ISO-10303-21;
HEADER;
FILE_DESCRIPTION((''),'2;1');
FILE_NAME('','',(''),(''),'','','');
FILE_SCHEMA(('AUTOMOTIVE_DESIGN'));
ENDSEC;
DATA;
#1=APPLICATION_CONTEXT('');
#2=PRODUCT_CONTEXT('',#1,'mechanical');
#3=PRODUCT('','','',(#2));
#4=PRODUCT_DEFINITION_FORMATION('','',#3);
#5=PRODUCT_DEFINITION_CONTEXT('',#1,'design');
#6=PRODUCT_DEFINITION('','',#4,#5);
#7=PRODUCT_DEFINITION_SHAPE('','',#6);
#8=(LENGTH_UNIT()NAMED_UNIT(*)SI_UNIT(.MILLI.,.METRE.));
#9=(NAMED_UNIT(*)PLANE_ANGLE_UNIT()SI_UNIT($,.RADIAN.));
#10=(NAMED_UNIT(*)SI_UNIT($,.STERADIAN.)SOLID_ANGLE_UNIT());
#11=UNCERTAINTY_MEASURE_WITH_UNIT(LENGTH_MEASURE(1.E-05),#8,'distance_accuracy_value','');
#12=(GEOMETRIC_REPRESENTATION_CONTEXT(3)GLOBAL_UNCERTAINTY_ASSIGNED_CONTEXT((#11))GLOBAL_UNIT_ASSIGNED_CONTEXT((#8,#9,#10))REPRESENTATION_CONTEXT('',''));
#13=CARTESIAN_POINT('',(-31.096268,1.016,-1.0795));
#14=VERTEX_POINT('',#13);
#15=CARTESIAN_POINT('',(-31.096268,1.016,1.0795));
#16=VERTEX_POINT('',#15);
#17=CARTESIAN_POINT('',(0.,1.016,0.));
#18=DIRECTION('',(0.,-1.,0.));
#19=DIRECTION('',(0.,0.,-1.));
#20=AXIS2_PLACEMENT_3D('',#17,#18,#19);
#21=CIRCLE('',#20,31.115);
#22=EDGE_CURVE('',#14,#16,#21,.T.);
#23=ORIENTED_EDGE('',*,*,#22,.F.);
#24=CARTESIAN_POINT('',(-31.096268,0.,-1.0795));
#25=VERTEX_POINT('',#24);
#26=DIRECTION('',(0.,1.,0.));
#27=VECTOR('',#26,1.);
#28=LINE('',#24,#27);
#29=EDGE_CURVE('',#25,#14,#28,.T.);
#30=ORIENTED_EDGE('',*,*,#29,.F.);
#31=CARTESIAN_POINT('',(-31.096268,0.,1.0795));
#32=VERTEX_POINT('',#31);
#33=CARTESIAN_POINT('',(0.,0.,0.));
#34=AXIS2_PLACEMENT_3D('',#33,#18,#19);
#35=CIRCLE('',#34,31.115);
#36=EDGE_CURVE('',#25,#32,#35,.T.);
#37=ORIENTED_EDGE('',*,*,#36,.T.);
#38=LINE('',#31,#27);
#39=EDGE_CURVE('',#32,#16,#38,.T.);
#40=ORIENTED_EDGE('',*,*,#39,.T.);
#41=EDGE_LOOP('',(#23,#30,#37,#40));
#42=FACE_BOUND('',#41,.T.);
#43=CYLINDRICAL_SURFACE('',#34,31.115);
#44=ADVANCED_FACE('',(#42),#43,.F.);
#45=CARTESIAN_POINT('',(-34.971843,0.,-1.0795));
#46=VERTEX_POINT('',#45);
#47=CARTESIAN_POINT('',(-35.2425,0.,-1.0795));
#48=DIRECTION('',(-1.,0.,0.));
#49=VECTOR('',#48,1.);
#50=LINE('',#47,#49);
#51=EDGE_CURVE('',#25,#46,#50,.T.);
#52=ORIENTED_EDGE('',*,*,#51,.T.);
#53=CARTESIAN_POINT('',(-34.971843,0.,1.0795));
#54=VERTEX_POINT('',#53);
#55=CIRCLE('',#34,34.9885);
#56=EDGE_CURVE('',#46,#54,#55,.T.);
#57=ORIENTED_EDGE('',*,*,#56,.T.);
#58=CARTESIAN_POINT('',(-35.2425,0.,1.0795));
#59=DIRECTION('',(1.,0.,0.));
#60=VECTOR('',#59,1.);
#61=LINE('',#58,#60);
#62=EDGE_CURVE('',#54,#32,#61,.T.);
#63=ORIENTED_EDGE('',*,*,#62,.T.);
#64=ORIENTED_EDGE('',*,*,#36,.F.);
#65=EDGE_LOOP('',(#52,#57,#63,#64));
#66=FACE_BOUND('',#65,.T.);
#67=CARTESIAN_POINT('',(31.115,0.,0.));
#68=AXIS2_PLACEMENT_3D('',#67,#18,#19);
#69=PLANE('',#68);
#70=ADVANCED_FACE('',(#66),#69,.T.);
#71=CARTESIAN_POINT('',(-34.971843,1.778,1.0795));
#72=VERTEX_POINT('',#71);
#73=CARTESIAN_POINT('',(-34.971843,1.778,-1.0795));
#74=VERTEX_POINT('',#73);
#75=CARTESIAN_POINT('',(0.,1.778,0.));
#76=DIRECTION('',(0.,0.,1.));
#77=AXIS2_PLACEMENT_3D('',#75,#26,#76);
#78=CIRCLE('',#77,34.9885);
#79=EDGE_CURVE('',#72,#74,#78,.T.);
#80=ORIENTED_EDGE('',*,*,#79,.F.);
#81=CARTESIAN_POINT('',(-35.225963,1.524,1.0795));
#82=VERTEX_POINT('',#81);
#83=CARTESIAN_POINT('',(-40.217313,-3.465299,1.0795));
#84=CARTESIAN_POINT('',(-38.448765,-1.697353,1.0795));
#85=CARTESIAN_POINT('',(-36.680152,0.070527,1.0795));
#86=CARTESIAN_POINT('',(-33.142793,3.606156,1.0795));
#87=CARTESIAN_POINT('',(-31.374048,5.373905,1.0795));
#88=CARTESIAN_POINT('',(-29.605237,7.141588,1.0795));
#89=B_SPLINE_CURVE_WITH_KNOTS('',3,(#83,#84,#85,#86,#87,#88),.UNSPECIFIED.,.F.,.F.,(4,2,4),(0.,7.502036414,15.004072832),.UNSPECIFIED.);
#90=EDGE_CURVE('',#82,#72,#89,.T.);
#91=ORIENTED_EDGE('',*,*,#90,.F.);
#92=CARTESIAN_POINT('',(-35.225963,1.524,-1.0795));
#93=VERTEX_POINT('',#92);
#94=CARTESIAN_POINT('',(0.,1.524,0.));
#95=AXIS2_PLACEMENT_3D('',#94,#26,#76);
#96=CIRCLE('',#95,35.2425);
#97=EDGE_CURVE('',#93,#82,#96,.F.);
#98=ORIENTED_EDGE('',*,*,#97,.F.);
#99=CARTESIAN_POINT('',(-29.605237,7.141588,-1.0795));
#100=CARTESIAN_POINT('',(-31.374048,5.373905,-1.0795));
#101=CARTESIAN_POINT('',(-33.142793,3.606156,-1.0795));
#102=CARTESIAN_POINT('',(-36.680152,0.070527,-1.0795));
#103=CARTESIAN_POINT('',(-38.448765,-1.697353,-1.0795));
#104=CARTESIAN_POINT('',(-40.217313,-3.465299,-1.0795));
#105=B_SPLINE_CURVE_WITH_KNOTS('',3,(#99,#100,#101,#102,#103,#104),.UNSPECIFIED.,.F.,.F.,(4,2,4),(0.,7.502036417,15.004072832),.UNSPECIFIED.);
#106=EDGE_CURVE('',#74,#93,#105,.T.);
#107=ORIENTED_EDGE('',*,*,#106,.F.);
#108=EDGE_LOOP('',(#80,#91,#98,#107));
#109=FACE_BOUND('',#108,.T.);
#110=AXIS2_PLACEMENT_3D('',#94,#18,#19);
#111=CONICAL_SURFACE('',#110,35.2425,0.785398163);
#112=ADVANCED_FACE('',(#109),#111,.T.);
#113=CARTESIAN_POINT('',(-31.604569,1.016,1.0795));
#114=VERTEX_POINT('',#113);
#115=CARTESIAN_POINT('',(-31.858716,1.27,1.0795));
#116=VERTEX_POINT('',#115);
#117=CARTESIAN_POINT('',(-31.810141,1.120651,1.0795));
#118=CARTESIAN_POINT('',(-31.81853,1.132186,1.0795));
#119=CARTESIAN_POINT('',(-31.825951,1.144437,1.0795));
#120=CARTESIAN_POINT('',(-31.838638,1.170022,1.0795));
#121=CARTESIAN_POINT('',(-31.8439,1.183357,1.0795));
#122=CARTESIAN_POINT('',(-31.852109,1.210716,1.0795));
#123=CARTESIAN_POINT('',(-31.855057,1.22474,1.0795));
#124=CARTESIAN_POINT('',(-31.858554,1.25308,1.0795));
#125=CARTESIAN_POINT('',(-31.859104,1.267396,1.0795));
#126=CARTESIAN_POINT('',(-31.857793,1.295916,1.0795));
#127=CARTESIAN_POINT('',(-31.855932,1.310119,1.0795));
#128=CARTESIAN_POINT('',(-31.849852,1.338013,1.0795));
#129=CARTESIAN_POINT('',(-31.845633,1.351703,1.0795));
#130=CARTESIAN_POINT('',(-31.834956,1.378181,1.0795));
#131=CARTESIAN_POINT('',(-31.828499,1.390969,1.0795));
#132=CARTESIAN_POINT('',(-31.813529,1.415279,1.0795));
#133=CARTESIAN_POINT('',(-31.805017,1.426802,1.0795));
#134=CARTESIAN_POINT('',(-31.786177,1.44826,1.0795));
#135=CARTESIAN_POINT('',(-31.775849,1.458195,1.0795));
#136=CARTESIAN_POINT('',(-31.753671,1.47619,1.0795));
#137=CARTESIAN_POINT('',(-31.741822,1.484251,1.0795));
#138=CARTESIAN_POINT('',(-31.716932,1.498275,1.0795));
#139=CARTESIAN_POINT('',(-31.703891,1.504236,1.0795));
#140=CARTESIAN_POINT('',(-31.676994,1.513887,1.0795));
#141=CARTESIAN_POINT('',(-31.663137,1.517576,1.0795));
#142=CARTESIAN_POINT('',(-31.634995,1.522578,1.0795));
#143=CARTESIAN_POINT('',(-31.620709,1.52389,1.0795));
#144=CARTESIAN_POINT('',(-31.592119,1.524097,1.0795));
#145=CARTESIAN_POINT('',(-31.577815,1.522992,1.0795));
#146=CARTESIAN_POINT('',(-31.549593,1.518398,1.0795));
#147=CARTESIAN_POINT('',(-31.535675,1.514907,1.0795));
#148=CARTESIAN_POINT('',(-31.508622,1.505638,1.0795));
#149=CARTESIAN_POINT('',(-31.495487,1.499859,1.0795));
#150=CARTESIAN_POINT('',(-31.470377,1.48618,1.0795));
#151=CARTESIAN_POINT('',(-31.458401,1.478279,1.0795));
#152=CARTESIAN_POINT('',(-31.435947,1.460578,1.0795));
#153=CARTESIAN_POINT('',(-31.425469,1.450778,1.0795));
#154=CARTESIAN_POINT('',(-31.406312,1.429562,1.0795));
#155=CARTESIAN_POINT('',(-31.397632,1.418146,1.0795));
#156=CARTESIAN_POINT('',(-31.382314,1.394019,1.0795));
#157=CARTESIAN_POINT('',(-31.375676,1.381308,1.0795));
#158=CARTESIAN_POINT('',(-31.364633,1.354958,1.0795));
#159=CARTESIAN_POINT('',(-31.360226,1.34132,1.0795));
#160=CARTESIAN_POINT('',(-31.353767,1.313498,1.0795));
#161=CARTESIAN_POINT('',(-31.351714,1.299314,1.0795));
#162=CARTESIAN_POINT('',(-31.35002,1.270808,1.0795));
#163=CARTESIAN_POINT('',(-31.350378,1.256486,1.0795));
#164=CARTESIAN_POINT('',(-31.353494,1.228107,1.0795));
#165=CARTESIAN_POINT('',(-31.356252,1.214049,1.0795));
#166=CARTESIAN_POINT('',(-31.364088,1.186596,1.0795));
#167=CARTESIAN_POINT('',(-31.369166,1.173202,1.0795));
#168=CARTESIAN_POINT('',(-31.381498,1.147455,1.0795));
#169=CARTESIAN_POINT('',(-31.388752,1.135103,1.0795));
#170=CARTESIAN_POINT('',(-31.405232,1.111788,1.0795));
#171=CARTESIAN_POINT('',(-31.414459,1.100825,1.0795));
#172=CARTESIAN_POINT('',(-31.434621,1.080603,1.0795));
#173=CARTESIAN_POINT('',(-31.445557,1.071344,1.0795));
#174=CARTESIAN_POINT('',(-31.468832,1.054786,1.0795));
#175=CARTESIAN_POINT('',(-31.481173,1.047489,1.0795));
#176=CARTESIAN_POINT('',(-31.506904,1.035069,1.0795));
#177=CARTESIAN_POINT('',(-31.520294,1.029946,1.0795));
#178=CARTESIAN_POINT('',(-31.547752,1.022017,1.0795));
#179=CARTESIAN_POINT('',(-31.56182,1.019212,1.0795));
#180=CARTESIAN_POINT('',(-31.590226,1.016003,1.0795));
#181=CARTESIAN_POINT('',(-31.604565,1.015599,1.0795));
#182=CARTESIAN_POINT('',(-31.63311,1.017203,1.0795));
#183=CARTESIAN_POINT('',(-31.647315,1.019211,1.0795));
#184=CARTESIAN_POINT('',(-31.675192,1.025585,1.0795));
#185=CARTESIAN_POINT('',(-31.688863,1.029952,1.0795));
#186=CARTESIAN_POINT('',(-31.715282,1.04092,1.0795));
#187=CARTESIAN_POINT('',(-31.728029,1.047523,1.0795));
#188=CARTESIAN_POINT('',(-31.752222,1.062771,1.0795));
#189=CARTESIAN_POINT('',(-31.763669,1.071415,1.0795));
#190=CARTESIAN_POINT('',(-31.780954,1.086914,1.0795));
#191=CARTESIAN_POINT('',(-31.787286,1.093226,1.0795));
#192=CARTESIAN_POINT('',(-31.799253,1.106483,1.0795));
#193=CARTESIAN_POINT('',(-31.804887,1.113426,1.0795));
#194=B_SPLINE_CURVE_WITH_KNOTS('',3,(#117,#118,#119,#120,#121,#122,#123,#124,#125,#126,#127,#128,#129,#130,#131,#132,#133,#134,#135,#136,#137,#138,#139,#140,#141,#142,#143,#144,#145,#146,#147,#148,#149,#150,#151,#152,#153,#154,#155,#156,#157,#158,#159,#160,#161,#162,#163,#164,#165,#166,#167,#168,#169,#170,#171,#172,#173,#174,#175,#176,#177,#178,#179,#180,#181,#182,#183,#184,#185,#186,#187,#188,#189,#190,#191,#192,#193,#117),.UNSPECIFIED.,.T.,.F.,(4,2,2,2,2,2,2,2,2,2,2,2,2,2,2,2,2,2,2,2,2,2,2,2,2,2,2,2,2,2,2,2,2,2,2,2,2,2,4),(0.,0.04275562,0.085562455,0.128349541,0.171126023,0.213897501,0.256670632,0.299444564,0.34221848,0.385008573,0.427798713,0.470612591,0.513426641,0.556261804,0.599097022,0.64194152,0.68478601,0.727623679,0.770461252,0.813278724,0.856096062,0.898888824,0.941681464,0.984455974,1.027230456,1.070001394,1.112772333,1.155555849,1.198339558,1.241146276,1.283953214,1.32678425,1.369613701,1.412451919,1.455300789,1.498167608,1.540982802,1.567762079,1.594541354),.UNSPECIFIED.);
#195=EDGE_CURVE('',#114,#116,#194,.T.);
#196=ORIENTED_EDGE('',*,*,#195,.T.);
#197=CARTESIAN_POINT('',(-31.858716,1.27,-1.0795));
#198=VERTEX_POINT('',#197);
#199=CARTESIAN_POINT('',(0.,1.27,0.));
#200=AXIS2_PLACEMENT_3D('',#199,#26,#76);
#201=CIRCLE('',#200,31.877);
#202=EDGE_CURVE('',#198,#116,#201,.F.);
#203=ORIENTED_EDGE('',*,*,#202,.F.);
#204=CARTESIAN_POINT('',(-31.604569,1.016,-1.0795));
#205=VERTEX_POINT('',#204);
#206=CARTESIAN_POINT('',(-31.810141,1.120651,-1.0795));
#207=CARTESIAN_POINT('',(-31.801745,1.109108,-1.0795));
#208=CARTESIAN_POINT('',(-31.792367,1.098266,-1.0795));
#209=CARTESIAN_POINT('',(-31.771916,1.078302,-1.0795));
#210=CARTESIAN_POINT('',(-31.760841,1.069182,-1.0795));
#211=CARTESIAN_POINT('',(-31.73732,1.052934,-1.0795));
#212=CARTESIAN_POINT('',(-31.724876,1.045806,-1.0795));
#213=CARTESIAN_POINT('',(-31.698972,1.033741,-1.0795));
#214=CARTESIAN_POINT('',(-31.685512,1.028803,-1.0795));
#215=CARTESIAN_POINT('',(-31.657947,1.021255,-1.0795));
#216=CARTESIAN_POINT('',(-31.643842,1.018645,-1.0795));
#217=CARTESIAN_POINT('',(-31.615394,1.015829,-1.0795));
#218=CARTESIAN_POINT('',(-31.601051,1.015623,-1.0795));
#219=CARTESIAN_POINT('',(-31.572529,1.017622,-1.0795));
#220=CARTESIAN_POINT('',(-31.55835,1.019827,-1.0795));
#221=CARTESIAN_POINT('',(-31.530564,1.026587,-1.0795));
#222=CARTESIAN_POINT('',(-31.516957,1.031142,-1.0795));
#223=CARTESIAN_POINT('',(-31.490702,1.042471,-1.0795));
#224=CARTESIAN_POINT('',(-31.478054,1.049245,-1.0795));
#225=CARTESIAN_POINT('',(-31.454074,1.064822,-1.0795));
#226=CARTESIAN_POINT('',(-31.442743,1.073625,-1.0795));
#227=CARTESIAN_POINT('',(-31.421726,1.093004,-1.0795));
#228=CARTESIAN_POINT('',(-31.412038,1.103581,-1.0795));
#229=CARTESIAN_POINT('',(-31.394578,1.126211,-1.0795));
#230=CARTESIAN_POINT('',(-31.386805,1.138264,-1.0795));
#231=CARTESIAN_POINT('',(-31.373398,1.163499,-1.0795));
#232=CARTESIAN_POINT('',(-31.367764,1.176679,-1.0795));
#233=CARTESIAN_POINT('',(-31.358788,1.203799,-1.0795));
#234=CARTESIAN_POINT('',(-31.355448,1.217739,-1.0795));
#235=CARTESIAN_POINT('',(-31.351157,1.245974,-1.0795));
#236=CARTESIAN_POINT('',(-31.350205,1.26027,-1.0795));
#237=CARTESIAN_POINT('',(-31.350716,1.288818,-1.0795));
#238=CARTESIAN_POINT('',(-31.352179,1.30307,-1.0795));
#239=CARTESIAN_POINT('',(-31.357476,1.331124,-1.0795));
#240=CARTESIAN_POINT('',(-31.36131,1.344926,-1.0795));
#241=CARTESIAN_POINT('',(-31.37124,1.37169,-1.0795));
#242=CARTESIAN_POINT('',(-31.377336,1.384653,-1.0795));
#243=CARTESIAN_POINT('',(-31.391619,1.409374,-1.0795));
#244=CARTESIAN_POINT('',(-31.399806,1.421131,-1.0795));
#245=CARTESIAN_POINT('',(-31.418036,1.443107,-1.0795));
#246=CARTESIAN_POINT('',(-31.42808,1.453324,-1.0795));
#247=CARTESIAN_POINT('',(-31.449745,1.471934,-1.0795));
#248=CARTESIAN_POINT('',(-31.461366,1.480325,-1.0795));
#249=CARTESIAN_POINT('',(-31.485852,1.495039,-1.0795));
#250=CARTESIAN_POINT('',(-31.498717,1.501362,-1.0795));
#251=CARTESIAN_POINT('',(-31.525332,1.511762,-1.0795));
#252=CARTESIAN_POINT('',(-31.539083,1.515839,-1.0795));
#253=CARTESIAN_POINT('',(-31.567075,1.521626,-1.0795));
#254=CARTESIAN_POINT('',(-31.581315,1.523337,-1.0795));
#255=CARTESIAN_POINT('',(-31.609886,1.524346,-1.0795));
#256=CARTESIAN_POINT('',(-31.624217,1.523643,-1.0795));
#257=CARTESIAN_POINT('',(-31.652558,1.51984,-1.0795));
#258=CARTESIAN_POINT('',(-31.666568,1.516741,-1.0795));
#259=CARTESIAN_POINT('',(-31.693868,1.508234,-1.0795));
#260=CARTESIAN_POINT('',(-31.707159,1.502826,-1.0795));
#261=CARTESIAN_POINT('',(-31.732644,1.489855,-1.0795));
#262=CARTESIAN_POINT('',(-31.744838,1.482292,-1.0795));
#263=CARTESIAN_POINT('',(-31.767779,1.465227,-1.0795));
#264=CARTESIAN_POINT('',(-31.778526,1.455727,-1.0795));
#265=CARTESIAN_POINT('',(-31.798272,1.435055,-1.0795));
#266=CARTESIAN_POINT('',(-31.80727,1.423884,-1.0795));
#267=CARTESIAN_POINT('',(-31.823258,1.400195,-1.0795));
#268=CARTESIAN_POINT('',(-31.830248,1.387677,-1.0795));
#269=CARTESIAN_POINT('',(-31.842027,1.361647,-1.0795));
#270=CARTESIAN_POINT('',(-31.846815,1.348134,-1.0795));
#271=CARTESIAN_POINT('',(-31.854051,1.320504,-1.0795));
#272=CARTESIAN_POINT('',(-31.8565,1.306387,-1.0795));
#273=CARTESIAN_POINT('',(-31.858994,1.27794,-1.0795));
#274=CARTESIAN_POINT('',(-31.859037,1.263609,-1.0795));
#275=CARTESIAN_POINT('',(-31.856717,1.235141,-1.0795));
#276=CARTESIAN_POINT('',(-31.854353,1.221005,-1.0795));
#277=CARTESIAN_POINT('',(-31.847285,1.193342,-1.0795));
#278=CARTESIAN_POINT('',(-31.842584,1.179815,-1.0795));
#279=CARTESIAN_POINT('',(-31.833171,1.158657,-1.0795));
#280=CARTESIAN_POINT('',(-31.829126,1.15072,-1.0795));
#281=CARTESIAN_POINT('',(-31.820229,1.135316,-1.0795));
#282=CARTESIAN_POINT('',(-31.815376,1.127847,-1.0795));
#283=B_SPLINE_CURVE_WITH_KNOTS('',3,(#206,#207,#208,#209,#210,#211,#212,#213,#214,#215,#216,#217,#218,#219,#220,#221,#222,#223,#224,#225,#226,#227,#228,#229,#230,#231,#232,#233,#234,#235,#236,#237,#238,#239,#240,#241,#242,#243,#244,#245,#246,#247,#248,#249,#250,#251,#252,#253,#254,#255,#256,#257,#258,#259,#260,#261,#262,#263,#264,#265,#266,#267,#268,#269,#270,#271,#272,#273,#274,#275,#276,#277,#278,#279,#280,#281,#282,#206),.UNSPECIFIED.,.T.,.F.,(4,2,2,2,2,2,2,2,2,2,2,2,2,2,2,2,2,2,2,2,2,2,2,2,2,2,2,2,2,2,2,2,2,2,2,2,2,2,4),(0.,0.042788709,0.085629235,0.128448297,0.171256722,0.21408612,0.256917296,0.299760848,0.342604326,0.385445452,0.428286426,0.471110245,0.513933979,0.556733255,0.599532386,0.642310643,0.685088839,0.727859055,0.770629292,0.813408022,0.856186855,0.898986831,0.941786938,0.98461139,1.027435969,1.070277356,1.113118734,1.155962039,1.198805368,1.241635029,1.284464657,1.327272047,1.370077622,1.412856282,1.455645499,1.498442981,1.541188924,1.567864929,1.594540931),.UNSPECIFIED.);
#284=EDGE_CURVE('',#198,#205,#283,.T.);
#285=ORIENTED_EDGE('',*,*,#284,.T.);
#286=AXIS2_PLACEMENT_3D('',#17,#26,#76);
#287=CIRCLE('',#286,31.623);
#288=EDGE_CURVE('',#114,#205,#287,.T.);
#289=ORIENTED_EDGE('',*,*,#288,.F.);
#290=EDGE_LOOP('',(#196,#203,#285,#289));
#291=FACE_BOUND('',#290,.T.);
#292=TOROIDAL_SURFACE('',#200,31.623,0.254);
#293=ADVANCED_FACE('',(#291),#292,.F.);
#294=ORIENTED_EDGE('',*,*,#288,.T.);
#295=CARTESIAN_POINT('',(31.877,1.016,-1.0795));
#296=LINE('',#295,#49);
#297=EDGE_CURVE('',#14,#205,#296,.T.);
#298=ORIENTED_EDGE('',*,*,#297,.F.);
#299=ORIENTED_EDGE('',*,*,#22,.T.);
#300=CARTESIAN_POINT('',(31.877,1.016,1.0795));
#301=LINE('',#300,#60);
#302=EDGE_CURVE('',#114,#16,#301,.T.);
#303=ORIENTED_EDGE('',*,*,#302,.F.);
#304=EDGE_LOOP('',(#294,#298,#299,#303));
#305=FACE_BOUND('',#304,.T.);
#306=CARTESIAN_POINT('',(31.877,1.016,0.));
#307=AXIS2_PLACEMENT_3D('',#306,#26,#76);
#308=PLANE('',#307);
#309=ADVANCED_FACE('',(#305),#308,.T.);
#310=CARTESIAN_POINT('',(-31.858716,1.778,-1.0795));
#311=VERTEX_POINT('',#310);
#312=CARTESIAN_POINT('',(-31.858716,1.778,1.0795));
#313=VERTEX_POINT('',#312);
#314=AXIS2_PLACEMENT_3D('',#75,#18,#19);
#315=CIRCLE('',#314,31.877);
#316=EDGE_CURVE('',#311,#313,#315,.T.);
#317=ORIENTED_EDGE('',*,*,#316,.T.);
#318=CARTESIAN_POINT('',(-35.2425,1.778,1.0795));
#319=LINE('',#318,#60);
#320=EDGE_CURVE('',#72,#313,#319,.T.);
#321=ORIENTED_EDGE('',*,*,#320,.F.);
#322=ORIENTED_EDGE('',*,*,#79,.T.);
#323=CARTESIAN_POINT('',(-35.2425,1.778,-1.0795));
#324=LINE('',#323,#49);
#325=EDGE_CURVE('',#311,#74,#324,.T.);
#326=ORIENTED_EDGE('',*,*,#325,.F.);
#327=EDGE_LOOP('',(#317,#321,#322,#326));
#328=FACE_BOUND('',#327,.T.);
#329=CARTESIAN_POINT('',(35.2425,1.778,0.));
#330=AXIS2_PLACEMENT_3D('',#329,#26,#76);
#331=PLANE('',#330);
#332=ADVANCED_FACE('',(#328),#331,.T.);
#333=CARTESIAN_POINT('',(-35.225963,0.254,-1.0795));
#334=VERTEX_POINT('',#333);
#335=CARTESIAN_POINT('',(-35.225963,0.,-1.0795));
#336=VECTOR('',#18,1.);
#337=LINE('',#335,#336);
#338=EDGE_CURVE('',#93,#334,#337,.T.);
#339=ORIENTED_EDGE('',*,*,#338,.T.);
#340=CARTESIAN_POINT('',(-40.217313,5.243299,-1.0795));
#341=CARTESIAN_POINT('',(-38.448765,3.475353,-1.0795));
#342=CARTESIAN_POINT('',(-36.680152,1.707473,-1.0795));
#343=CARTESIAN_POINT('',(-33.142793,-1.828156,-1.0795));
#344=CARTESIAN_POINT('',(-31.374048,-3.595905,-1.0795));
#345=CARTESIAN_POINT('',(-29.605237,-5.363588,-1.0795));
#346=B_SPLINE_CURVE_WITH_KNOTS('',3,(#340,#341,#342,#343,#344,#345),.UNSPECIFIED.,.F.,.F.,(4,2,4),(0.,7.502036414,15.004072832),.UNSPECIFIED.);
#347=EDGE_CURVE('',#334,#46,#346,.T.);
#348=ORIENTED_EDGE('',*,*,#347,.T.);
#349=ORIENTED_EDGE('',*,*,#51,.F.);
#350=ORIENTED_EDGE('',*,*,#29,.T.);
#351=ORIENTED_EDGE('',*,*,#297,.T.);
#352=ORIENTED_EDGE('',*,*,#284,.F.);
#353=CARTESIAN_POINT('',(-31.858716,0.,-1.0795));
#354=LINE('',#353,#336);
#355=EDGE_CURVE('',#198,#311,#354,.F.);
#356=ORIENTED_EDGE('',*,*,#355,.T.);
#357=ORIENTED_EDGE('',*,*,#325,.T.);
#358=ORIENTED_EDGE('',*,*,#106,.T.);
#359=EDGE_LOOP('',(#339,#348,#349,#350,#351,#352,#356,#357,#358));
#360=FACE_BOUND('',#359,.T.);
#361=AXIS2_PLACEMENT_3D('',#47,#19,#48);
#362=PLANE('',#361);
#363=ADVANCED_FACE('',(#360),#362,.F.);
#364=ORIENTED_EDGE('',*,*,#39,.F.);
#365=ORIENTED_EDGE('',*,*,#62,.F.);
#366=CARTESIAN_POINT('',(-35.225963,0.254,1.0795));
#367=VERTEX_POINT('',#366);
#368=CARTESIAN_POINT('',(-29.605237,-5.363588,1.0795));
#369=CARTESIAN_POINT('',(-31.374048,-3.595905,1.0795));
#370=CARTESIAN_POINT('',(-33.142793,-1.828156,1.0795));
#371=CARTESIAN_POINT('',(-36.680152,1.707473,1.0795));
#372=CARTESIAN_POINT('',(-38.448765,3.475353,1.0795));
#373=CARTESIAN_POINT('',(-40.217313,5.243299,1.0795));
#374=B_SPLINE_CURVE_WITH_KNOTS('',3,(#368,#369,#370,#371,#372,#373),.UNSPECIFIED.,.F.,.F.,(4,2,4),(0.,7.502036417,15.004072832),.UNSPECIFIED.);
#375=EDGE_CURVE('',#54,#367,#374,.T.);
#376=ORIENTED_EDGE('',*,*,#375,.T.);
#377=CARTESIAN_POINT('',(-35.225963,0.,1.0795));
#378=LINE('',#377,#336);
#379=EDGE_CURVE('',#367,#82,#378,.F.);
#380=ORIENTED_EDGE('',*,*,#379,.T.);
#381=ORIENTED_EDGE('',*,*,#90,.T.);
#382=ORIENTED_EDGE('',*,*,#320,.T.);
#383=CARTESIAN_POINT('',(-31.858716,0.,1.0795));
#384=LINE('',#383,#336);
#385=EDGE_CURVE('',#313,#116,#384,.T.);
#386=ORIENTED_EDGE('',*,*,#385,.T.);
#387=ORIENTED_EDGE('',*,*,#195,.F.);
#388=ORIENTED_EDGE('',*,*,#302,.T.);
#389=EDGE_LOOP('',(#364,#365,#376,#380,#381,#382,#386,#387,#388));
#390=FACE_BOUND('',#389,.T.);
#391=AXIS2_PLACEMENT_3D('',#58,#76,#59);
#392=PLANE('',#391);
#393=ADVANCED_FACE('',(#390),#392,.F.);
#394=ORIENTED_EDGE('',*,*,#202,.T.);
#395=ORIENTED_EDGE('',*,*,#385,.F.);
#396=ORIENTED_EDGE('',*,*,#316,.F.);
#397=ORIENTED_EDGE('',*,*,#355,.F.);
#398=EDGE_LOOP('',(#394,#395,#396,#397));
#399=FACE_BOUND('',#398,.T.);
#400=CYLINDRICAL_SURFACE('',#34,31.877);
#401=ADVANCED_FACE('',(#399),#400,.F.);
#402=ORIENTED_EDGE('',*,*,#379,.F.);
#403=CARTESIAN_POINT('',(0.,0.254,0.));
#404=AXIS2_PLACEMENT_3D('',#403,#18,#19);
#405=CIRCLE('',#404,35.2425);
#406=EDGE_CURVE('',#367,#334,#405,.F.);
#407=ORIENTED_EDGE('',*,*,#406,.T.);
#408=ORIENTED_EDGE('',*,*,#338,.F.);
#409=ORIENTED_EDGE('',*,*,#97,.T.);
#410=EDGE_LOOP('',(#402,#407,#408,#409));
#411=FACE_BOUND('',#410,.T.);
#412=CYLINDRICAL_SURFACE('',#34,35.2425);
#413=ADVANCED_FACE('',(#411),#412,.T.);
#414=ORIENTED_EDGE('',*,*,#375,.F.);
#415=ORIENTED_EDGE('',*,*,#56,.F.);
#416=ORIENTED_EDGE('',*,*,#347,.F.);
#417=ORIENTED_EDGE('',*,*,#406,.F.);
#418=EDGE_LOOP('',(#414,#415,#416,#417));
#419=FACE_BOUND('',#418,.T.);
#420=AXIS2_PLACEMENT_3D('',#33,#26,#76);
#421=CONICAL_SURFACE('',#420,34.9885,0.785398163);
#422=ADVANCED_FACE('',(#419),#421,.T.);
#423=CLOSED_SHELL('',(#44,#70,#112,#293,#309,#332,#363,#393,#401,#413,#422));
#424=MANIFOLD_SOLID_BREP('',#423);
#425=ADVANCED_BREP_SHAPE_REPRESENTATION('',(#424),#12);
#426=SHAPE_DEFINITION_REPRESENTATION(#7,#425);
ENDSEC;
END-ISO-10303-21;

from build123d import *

# Parameters (mm, degrees)
FILLET1_R          = 0.254
CHAMFER1_SIZE      = 0.254
SKETCH2_W          = 4.146231659
SKETCH2_H          = 2.159
CUT_EXTRUDE1_DEPTH = 50.872125446


with BuildPart() as part:
    # Sketch1 → Revolve1 (revolve)
    with BuildSketch(Plane.XY, mode=Mode.PRIVATE) as revolve1_sk:
        Polygon((35.2425, 0), (35.2425, 1.778), (31.877, 1.778), (31.877, 1.016), (31.115, 1.016), (31.115, 0), align=None)
    revolve(revolve1_sk.sketch.rotate(Axis((0, 0, 0), (0, 1, 0)), 90), axis=Axis((0, 0, 0), (0, 1, 0)))

    # Fillet1
    fillet1_edges = [part.edges().sort_by_distance(p)[0] for p in [
        (0, 1.016, 31.877),
    ]]
    fillet(fillet1_edges, radius=FILLET1_R)

    # Chamfer1
    chamfer1_edges = [part.edges().sort_by_distance(p)[0] for p in [
        (0, 1.778, 35.2425),
        (0, 0, 35.2425),
    ]]
    chamfer(chamfer1_edges, length=CHAMFER1_SIZE)

    # Sketch2 → Cut-Extrude1 (cut, through all)
    with BuildSketch(Plane(origin=(0, 1.778, 0), x_dir=(1, 0, 0), z_dir=(0, 1, 0))):
        with Locations((-33.169384171, 0)):
            Rectangle(SKETCH2_W, SKETCH2_H)
    extrude(amount=-CUT_EXTRUDE1_DEPTH, mode=Mode.SUBTRACT)


solid = part.part
